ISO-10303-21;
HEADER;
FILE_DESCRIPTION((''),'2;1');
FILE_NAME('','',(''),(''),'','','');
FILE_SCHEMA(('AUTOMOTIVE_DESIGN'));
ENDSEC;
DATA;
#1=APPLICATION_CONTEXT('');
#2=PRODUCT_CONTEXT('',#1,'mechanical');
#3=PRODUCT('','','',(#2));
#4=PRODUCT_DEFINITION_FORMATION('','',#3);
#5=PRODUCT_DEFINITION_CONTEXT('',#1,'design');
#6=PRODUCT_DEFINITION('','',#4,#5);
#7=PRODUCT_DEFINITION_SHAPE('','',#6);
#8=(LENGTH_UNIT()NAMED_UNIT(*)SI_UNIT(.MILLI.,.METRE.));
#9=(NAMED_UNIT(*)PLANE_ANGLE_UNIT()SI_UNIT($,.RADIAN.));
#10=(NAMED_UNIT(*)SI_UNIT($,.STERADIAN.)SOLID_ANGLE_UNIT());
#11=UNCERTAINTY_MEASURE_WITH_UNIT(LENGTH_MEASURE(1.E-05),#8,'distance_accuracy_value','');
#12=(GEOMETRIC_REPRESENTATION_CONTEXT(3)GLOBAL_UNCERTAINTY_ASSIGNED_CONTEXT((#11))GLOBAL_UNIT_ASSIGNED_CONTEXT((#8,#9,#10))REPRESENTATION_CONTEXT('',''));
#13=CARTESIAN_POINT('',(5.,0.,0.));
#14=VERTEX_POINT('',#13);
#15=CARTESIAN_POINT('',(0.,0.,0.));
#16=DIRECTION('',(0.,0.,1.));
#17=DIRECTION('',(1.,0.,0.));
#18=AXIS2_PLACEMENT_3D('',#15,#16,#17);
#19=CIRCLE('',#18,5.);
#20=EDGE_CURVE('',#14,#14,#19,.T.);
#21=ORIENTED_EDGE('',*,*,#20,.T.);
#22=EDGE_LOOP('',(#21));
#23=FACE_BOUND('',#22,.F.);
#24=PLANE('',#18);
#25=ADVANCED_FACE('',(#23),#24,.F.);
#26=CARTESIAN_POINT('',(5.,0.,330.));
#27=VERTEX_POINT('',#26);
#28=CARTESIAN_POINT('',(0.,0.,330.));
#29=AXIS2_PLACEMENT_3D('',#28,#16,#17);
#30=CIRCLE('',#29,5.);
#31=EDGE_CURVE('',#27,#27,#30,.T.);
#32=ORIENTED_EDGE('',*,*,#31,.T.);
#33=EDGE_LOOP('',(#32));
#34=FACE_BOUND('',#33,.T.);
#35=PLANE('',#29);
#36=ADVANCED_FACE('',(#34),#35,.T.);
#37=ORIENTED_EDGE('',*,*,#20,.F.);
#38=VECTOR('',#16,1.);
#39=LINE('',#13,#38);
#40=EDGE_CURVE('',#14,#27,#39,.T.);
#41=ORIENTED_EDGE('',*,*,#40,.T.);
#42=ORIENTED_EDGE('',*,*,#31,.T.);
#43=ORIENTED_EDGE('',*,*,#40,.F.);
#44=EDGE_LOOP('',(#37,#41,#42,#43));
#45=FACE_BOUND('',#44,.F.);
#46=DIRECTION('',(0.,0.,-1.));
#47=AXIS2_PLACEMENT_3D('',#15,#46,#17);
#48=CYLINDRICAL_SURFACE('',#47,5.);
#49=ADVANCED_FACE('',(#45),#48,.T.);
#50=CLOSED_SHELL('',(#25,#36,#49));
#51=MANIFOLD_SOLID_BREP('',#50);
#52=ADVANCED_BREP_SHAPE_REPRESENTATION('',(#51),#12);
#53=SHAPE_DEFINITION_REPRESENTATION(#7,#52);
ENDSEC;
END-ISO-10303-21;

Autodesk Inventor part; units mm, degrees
ref_plane "YZ Plane" through (0, 0, 0) normal (1, 0, 0) x (0, 1, 0)
ref_plane "XZ Plane" through (0, 0, 0) normal (0, 1, 0) x (-1, 0, 0)
ref_plane "XY Plane" through (0, 0, 0) normal (0, 0, 1) x (1, 0, 0)
sketch "Sketch1" plane through (0, 0, 0) normal (0, 0, 1) x (1, 0, 0)
  circle A0 centre (0, 0) radius 5
  dimension "d0" = 10
extrude "Extrusion1" add sketch "Sketch1" along normal blind 330
thread "Thread1" size "TR10x2" class "7e" standard "ISO Metric Trapezoidal Threads" full length
properties part number "T10x2 330mm"
